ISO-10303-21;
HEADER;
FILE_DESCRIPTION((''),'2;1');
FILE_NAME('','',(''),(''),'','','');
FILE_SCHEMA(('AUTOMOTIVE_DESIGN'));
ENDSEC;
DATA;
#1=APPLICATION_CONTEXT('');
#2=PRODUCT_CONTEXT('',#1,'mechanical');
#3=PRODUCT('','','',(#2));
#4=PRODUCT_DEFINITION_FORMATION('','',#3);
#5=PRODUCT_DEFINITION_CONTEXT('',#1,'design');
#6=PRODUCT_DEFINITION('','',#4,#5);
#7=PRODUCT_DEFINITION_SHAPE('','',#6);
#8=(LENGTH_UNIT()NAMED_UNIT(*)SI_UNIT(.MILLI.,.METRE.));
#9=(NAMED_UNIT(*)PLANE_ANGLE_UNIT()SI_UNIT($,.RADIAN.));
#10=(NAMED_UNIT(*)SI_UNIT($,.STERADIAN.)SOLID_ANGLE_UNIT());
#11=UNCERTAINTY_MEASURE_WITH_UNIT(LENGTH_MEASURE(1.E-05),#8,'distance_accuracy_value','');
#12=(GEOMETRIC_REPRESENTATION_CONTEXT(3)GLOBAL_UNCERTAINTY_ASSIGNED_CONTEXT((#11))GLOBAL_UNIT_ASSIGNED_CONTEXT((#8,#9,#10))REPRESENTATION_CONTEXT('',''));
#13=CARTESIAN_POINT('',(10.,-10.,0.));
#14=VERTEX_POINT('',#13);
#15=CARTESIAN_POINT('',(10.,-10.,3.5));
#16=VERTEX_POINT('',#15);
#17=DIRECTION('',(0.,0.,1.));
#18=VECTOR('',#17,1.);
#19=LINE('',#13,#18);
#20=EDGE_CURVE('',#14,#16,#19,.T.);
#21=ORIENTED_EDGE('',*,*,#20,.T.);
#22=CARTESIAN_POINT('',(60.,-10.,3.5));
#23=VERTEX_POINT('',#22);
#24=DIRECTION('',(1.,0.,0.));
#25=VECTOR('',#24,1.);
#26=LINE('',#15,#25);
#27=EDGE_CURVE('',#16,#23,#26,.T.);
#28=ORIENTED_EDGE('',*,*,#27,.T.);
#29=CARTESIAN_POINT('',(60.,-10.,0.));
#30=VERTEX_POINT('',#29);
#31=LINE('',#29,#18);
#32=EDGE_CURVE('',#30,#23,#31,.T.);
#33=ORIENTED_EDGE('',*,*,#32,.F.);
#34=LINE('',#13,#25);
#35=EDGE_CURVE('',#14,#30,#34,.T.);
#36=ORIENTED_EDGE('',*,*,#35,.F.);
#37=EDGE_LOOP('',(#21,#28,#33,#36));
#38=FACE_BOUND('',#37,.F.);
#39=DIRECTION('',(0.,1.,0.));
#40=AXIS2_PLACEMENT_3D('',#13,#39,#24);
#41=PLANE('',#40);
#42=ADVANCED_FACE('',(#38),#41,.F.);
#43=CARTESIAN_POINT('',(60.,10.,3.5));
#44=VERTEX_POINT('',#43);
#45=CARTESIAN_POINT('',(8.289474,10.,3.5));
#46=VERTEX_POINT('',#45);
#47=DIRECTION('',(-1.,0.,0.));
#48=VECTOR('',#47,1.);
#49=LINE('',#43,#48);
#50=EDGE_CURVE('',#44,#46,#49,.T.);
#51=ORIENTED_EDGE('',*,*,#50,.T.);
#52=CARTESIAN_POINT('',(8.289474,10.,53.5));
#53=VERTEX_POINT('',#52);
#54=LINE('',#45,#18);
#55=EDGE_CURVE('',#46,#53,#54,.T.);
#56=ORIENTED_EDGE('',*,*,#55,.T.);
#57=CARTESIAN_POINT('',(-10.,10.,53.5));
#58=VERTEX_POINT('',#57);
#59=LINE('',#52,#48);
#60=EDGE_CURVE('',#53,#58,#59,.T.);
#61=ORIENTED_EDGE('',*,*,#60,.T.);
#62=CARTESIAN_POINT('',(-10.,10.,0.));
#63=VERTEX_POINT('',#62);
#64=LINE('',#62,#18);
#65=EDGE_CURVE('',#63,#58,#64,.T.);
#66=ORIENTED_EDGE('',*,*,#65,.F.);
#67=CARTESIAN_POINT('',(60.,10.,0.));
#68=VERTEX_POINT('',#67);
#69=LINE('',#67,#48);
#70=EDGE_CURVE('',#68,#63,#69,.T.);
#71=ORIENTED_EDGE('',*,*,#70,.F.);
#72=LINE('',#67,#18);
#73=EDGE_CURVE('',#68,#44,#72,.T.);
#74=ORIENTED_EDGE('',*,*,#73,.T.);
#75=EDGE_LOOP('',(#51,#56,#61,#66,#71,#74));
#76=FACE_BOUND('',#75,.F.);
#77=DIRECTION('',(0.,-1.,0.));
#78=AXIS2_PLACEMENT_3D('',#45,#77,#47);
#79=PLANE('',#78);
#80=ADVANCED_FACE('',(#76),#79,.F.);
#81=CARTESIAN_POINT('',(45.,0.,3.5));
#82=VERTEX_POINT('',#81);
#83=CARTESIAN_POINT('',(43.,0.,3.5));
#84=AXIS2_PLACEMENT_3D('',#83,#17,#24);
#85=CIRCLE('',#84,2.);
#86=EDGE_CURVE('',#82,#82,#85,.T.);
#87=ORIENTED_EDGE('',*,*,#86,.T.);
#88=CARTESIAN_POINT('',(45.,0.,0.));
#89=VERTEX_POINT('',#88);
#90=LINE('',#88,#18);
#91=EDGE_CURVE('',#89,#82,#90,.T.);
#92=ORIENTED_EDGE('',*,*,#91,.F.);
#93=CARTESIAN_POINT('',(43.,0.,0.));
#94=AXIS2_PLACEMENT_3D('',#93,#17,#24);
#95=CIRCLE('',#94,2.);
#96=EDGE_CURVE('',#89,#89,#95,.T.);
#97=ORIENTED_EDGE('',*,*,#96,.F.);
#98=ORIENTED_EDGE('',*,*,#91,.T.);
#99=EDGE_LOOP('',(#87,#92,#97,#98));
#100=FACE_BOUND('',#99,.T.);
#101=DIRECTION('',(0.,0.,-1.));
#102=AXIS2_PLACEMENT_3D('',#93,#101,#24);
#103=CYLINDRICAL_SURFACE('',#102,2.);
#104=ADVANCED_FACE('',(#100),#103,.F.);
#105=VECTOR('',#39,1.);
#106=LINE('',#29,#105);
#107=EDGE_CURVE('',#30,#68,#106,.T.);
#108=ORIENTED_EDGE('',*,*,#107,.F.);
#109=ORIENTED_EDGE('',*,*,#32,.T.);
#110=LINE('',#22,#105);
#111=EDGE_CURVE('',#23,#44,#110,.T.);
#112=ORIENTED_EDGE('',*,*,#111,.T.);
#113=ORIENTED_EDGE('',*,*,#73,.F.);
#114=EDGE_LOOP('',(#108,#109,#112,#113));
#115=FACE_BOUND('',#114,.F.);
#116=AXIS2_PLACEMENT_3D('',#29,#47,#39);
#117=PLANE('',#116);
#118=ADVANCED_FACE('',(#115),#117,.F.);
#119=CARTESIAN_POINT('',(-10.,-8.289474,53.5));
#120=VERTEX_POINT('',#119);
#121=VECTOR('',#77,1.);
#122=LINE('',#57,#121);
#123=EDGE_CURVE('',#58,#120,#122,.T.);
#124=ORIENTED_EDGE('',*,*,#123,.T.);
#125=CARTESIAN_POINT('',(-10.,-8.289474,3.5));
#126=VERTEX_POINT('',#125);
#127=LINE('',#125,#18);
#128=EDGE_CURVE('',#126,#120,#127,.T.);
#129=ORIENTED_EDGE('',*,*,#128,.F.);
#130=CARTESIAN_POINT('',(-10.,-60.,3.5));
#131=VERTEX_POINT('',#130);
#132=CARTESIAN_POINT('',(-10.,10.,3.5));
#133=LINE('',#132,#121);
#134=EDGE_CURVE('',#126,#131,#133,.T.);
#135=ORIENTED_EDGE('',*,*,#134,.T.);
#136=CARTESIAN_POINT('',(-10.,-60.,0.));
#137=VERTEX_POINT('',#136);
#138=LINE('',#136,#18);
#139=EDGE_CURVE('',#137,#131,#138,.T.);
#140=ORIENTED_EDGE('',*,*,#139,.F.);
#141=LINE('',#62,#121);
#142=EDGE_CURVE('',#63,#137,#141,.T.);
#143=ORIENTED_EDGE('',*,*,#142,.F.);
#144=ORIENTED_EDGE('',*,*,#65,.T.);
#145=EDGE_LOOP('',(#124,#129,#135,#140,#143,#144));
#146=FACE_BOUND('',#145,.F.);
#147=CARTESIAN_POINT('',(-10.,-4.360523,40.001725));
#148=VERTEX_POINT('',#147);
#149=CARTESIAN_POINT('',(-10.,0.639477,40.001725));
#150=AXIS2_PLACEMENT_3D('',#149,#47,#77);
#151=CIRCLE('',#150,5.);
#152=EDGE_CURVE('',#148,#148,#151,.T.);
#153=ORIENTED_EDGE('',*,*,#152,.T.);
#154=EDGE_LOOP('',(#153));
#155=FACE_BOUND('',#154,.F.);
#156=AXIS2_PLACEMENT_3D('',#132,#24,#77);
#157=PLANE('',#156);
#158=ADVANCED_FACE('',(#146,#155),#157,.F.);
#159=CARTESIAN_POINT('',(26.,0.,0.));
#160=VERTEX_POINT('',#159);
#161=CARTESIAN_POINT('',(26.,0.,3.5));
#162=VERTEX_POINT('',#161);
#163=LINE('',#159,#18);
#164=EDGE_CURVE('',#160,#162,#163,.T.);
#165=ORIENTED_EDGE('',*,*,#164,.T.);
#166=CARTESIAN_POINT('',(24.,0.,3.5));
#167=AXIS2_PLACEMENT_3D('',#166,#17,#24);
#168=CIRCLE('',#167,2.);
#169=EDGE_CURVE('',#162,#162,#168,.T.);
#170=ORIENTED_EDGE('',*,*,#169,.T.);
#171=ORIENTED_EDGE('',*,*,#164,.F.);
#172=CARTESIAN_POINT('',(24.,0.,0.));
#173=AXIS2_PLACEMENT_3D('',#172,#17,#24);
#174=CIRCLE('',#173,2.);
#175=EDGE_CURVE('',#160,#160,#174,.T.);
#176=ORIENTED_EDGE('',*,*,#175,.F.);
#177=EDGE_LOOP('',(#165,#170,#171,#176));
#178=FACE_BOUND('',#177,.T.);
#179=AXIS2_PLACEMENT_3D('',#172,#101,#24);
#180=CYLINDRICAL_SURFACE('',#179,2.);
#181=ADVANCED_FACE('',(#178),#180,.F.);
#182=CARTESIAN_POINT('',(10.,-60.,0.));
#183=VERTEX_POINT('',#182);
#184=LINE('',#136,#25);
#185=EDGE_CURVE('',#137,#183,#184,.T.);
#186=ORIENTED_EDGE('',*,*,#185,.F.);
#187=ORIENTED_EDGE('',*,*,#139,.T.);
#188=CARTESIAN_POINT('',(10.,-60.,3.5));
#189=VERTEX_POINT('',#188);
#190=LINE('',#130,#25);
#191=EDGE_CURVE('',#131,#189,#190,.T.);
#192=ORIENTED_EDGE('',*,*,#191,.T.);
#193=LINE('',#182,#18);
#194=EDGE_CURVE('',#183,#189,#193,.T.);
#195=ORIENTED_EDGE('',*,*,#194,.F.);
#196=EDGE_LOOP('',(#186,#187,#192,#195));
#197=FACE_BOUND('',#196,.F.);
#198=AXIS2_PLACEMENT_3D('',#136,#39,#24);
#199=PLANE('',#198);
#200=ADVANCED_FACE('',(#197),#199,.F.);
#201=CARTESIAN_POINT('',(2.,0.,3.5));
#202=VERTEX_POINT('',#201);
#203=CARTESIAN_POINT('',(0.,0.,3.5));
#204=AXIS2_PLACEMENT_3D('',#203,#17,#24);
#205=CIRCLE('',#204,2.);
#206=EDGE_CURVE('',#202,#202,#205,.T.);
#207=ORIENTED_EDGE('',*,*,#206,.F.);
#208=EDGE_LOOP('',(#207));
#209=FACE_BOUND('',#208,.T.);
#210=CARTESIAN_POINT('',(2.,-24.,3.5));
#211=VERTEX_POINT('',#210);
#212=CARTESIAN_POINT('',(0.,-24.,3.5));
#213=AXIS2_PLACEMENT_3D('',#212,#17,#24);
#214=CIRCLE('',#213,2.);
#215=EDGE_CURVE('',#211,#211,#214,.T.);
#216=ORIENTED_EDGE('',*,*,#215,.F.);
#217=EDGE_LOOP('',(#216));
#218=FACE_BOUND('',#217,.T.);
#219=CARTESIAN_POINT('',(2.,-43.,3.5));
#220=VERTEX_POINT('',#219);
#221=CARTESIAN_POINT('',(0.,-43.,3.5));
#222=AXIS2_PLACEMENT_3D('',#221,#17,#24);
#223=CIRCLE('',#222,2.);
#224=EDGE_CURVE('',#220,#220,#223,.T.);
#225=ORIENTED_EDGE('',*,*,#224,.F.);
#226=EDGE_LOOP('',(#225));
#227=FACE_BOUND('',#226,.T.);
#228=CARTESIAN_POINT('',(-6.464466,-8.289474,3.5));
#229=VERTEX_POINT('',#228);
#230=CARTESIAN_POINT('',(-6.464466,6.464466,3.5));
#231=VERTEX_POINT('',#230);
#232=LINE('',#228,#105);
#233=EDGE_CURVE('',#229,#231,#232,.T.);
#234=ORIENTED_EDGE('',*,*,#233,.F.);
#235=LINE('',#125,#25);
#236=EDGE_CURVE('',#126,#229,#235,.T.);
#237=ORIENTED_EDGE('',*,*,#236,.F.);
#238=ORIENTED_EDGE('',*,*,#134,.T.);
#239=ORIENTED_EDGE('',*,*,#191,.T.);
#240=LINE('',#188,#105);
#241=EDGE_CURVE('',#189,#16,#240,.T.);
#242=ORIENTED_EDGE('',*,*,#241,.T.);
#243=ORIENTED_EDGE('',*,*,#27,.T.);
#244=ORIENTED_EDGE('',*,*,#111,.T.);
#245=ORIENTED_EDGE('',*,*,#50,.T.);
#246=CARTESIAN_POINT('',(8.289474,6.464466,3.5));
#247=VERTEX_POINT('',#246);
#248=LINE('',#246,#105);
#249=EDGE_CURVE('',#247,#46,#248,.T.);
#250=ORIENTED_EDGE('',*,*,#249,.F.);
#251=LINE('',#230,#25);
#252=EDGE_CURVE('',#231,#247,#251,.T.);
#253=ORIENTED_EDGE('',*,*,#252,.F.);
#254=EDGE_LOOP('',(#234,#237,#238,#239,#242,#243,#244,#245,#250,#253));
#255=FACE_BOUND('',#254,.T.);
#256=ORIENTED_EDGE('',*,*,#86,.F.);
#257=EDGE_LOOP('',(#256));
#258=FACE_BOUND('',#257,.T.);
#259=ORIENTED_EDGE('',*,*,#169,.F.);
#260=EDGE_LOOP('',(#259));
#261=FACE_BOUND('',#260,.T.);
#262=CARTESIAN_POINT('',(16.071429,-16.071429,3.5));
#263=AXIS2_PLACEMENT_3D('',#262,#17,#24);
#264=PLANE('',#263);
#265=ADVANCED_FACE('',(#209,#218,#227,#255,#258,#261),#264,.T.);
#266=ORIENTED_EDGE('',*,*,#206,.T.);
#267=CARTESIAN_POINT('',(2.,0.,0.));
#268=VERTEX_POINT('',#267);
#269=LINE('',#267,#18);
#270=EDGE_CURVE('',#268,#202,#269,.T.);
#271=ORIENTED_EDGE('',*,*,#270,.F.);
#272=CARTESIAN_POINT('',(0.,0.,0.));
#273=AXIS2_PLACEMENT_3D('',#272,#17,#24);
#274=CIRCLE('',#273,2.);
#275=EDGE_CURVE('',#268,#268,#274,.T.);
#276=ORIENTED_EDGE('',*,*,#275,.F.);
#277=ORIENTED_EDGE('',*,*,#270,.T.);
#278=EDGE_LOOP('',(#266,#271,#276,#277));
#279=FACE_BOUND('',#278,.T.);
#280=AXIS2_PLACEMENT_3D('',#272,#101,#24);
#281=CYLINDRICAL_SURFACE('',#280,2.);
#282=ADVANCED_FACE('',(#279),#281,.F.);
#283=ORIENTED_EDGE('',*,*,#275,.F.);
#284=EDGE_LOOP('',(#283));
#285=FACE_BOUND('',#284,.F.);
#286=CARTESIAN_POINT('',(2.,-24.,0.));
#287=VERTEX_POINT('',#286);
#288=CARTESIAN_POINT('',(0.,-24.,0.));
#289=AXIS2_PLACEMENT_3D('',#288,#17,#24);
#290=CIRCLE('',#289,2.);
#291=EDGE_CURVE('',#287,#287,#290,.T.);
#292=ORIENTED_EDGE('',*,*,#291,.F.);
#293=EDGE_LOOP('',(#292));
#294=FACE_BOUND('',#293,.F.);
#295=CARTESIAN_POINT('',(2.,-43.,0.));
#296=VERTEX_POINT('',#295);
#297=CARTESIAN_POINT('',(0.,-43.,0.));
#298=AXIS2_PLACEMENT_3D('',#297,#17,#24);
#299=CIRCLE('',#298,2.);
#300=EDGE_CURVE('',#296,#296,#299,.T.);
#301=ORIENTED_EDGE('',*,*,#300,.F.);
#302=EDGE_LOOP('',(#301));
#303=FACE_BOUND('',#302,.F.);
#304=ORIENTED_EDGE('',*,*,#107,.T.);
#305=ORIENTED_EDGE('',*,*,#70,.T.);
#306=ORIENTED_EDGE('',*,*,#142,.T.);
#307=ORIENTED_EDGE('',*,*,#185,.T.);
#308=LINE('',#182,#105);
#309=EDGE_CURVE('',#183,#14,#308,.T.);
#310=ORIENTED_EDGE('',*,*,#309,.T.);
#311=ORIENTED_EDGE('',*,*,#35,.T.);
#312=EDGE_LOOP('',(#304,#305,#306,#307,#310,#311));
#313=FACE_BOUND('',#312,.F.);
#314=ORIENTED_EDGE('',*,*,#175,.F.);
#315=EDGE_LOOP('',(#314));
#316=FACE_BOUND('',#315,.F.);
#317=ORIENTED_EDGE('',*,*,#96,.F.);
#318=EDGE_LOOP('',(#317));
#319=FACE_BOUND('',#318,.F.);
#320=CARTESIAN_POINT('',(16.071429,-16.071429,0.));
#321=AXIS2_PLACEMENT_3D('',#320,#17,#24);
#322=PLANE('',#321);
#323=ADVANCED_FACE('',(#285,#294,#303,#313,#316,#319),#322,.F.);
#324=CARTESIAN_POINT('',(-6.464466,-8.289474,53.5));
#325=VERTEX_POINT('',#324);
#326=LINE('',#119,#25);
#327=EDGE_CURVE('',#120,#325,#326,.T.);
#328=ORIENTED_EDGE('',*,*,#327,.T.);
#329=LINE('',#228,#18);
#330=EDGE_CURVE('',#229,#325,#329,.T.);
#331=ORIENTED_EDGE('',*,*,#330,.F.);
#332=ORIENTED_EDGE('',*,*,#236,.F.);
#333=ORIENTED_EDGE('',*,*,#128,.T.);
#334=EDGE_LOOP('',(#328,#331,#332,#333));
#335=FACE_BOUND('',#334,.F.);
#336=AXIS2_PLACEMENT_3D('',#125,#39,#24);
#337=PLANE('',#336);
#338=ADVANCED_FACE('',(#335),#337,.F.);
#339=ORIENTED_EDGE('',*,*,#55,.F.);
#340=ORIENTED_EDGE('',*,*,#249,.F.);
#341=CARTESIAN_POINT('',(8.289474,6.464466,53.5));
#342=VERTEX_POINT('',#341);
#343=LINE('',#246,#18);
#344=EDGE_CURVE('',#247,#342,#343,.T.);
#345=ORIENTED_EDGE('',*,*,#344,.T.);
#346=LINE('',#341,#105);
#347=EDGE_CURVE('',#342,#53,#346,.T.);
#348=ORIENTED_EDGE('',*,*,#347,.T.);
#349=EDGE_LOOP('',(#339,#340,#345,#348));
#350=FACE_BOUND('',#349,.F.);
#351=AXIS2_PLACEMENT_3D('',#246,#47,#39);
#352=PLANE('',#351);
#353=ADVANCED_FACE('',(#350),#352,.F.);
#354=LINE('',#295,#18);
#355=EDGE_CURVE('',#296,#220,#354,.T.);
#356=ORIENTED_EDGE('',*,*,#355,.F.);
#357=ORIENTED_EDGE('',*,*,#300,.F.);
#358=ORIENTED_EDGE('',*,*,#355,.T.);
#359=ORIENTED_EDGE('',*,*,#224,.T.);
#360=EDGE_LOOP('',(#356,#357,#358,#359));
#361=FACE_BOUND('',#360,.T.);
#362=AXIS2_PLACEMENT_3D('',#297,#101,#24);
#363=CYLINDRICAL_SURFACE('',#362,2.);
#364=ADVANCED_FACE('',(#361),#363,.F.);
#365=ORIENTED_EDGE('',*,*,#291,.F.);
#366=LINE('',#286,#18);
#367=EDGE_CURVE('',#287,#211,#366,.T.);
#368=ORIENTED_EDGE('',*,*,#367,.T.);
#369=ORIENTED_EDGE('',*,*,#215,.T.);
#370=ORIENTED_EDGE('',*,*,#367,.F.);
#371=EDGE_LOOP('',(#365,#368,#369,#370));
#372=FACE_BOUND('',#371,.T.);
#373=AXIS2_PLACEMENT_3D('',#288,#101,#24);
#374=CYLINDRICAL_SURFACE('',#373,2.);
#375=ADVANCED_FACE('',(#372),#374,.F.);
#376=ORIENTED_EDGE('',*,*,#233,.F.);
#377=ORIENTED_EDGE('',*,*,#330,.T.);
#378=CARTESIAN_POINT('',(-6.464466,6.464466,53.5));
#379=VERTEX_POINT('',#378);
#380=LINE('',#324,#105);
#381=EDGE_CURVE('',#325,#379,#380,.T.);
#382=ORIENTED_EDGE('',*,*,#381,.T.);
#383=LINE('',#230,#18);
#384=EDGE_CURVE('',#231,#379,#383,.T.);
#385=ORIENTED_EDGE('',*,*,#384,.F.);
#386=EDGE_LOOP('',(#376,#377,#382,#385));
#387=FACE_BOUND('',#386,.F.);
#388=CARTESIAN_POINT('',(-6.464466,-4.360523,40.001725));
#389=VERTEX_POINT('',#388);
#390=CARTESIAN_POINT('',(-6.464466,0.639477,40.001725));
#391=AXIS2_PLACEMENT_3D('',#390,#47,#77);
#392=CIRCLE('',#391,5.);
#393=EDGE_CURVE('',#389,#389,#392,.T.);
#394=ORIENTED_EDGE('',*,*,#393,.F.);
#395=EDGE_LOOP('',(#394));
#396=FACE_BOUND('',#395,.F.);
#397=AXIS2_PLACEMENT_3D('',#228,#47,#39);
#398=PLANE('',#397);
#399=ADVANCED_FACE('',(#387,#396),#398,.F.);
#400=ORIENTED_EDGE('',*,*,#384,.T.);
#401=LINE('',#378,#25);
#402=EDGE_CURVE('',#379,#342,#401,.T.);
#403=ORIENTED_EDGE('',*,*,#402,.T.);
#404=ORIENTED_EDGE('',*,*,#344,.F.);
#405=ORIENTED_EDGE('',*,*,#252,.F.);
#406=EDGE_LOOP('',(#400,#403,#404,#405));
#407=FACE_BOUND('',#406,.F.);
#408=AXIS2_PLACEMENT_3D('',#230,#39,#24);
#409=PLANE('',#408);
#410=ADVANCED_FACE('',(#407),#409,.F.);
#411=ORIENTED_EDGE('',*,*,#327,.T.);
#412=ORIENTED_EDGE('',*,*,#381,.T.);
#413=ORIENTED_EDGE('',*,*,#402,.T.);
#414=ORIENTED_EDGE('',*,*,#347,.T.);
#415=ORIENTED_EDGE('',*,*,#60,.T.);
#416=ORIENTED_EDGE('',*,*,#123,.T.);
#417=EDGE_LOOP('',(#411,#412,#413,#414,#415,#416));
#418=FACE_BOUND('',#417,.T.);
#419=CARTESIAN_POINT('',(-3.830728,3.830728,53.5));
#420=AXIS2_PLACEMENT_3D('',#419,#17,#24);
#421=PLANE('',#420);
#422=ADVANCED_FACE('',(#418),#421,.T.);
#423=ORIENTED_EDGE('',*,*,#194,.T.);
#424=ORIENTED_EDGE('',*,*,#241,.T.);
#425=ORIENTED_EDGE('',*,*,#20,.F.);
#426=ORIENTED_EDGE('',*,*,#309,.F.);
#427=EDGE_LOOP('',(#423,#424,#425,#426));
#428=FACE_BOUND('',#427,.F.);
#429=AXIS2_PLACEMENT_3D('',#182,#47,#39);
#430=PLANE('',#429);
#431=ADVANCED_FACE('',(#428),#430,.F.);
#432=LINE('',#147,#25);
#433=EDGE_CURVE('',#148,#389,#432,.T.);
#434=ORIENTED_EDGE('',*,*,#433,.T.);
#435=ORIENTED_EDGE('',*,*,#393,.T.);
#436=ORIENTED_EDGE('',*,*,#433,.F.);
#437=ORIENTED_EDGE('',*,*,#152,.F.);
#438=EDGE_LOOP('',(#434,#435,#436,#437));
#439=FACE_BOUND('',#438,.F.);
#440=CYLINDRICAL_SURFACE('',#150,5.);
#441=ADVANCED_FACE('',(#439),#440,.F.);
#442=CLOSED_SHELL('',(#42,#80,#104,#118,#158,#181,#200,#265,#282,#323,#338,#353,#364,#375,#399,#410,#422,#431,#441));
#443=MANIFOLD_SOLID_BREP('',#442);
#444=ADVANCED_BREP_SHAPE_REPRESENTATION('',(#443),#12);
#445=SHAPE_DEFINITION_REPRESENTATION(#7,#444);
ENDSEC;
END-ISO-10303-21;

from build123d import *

# Parameters (mm, degrees)
F0_R     = 2
F1_DEPTH = 3.5
F3_DEPTH = 50
F4_R     = 5
F5_DEPTH = 70.001


with BuildPart() as f1:
    # F0 (on Top) → F1 (new body)
    with BuildSketch(Plane.XY):
        Polygon((-10, -10), (-10, -60), (10, -60), (10, -10), (60, -10), (60, 10), (10, 10), (-10, 10), align=None)
        with Locations((0, -43)):
            Circle(F0_R, mode=Mode.SUBTRACT)
        with Locations((0, -24)):
            Circle(F0_R, mode=Mode.SUBTRACT)
        Circle(F0_R, mode=Mode.SUBTRACT)
        with Locations((24, 0)):
            Circle(F0_R, mode=Mode.SUBTRACT)
        with Locations((43, 0)):
            Circle(F0_R, mode=Mode.SUBTRACT)
    extrude(amount=F1_DEPTH)

    # F2 (on face) → F3 (join)
    with BuildSketch(Plane.XY.offset(3.5)):
        Polygon((8.289474, 10), (-10, 10), (-10, -8.289474), (-6.464466, -8.289474), (-6.464466, 6.464466), (8.289474, 6.464466), align=None)
    extrude(amount=F3_DEPTH)

    # F4 (on face) → F5 (cut, through all)
    with BuildSketch(Plane(origin=(-10, 0, 0), x_dir=(0, -1, 0), z_dir=(-1, 0, 0))):
        with Locations((-0.639477, 40.001725)):
            Circle(F4_R)
    extrude(amount=-F5_DEPTH, mode=Mode.SUBTRACT)


solid = f1.part
